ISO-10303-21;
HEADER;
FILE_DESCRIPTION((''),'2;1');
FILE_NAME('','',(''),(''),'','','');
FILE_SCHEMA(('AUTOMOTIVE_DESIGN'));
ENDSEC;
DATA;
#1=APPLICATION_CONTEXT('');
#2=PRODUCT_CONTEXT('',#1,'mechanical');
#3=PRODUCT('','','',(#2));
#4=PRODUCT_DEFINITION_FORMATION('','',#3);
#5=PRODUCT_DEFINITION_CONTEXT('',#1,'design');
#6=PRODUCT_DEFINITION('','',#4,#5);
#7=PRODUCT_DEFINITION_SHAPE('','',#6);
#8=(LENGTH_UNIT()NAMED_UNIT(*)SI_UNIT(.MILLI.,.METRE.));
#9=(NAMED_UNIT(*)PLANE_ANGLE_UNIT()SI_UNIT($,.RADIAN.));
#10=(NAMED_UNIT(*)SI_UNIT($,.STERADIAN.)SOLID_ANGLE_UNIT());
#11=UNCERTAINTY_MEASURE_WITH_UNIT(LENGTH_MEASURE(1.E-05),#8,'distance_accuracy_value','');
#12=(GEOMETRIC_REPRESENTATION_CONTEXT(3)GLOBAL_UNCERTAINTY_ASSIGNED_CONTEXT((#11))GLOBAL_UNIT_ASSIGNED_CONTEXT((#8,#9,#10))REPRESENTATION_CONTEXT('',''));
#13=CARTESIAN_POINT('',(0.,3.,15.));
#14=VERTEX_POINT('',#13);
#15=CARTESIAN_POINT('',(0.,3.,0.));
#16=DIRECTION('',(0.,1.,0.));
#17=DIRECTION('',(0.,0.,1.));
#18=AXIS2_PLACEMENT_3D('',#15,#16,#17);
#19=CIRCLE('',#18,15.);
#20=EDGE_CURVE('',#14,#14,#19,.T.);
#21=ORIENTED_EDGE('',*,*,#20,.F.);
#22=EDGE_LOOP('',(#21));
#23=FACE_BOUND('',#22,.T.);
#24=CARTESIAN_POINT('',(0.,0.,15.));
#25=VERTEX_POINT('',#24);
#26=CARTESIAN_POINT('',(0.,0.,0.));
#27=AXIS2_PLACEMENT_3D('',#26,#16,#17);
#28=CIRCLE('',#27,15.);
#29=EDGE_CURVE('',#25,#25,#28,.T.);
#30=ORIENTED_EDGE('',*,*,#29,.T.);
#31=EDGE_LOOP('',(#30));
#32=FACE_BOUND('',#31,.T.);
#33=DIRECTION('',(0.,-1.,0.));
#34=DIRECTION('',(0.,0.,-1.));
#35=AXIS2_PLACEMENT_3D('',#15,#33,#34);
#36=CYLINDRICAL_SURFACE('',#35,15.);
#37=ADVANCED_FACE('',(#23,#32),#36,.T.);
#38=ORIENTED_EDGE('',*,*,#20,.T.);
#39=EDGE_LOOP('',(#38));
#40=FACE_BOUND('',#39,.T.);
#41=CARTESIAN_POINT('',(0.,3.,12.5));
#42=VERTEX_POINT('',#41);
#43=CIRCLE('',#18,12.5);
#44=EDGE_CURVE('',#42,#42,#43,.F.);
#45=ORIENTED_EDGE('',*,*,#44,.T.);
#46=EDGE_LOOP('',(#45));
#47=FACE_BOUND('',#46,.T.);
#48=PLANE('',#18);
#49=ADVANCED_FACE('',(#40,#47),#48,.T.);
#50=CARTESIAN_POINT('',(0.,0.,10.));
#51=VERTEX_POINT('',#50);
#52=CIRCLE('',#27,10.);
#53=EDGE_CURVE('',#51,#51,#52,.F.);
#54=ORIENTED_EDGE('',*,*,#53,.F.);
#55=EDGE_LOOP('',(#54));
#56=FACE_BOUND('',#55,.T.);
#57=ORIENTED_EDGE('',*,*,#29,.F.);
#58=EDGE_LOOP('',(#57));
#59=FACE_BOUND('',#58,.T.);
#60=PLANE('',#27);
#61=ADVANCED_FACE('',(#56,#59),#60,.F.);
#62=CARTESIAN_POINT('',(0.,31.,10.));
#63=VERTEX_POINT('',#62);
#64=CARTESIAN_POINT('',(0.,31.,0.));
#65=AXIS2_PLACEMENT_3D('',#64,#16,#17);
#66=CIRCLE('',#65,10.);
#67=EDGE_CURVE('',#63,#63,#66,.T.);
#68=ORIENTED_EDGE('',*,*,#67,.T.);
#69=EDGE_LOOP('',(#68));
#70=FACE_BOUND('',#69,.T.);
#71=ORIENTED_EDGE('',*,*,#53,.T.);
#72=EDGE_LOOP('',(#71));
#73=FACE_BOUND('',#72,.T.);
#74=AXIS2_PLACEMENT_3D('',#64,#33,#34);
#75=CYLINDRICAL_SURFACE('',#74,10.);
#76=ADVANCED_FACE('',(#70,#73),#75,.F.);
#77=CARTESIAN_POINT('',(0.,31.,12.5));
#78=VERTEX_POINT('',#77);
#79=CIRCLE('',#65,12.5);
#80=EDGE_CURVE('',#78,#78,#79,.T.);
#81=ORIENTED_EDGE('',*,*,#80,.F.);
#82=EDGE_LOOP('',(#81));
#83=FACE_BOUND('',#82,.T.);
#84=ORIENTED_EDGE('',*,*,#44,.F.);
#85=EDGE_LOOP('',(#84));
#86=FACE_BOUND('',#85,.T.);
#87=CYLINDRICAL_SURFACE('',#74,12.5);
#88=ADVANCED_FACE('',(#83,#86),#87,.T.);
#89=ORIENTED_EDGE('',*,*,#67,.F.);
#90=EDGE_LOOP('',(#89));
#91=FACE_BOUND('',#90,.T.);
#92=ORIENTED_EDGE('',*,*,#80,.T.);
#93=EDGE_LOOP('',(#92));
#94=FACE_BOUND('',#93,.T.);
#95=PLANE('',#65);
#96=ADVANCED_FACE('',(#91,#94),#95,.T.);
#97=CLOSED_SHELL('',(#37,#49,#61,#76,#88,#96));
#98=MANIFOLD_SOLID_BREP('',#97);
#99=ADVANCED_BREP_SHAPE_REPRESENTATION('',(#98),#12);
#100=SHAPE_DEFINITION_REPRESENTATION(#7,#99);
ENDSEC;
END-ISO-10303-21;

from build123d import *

# Parameters (mm, degrees)
SKETCH1_R               = 15
BOSS_EXTRUDE1_DEPTH     = 3
SKETCH1_3_R             = 12.5
BOSS_EXTRUDE2_DEPTH     = 31
SKETCH1_4_R             = 10
CUT_EXTRUDE1_DEPTH      = 32
CUT_EXTRUDE1_DEPTH_BACK = 1


with BuildPart() as part:
    # Sketch1 → Boss-Extrude1 (new body)
    with BuildSketch(Plane(origin=(0, 0, 0), x_dir=(1, 0, 0), z_dir=(0, 1, 0))):
        Circle(SKETCH1_R)
    extrude(amount=BOSS_EXTRUDE1_DEPTH)

    # Sketch1<3> → Boss-Extrude2 (add)
    with BuildSketch(Plane(origin=(0, 0, 0), x_dir=(1, 0, 0), z_dir=(0, 1, 0))):
        Circle(SKETCH1_3_R)
    extrude(amount=BOSS_EXTRUDE2_DEPTH)

    # Sketch1<4> → Cut-Extrude1 (cut, two sides)
    with BuildSketch(Plane(origin=(0, 0, 0), x_dir=(1, 0, 0), z_dir=(0, 1, 0))) as cut_extrude1_sk:
        Circle(SKETCH1_4_R)
    extrude(amount=CUT_EXTRUDE1_DEPTH, mode=Mode.SUBTRACT)
    extrude(cut_extrude1_sk.sketch, amount=-CUT_EXTRUDE1_DEPTH_BACK, mode=Mode.SUBTRACT)


solid = part.part
